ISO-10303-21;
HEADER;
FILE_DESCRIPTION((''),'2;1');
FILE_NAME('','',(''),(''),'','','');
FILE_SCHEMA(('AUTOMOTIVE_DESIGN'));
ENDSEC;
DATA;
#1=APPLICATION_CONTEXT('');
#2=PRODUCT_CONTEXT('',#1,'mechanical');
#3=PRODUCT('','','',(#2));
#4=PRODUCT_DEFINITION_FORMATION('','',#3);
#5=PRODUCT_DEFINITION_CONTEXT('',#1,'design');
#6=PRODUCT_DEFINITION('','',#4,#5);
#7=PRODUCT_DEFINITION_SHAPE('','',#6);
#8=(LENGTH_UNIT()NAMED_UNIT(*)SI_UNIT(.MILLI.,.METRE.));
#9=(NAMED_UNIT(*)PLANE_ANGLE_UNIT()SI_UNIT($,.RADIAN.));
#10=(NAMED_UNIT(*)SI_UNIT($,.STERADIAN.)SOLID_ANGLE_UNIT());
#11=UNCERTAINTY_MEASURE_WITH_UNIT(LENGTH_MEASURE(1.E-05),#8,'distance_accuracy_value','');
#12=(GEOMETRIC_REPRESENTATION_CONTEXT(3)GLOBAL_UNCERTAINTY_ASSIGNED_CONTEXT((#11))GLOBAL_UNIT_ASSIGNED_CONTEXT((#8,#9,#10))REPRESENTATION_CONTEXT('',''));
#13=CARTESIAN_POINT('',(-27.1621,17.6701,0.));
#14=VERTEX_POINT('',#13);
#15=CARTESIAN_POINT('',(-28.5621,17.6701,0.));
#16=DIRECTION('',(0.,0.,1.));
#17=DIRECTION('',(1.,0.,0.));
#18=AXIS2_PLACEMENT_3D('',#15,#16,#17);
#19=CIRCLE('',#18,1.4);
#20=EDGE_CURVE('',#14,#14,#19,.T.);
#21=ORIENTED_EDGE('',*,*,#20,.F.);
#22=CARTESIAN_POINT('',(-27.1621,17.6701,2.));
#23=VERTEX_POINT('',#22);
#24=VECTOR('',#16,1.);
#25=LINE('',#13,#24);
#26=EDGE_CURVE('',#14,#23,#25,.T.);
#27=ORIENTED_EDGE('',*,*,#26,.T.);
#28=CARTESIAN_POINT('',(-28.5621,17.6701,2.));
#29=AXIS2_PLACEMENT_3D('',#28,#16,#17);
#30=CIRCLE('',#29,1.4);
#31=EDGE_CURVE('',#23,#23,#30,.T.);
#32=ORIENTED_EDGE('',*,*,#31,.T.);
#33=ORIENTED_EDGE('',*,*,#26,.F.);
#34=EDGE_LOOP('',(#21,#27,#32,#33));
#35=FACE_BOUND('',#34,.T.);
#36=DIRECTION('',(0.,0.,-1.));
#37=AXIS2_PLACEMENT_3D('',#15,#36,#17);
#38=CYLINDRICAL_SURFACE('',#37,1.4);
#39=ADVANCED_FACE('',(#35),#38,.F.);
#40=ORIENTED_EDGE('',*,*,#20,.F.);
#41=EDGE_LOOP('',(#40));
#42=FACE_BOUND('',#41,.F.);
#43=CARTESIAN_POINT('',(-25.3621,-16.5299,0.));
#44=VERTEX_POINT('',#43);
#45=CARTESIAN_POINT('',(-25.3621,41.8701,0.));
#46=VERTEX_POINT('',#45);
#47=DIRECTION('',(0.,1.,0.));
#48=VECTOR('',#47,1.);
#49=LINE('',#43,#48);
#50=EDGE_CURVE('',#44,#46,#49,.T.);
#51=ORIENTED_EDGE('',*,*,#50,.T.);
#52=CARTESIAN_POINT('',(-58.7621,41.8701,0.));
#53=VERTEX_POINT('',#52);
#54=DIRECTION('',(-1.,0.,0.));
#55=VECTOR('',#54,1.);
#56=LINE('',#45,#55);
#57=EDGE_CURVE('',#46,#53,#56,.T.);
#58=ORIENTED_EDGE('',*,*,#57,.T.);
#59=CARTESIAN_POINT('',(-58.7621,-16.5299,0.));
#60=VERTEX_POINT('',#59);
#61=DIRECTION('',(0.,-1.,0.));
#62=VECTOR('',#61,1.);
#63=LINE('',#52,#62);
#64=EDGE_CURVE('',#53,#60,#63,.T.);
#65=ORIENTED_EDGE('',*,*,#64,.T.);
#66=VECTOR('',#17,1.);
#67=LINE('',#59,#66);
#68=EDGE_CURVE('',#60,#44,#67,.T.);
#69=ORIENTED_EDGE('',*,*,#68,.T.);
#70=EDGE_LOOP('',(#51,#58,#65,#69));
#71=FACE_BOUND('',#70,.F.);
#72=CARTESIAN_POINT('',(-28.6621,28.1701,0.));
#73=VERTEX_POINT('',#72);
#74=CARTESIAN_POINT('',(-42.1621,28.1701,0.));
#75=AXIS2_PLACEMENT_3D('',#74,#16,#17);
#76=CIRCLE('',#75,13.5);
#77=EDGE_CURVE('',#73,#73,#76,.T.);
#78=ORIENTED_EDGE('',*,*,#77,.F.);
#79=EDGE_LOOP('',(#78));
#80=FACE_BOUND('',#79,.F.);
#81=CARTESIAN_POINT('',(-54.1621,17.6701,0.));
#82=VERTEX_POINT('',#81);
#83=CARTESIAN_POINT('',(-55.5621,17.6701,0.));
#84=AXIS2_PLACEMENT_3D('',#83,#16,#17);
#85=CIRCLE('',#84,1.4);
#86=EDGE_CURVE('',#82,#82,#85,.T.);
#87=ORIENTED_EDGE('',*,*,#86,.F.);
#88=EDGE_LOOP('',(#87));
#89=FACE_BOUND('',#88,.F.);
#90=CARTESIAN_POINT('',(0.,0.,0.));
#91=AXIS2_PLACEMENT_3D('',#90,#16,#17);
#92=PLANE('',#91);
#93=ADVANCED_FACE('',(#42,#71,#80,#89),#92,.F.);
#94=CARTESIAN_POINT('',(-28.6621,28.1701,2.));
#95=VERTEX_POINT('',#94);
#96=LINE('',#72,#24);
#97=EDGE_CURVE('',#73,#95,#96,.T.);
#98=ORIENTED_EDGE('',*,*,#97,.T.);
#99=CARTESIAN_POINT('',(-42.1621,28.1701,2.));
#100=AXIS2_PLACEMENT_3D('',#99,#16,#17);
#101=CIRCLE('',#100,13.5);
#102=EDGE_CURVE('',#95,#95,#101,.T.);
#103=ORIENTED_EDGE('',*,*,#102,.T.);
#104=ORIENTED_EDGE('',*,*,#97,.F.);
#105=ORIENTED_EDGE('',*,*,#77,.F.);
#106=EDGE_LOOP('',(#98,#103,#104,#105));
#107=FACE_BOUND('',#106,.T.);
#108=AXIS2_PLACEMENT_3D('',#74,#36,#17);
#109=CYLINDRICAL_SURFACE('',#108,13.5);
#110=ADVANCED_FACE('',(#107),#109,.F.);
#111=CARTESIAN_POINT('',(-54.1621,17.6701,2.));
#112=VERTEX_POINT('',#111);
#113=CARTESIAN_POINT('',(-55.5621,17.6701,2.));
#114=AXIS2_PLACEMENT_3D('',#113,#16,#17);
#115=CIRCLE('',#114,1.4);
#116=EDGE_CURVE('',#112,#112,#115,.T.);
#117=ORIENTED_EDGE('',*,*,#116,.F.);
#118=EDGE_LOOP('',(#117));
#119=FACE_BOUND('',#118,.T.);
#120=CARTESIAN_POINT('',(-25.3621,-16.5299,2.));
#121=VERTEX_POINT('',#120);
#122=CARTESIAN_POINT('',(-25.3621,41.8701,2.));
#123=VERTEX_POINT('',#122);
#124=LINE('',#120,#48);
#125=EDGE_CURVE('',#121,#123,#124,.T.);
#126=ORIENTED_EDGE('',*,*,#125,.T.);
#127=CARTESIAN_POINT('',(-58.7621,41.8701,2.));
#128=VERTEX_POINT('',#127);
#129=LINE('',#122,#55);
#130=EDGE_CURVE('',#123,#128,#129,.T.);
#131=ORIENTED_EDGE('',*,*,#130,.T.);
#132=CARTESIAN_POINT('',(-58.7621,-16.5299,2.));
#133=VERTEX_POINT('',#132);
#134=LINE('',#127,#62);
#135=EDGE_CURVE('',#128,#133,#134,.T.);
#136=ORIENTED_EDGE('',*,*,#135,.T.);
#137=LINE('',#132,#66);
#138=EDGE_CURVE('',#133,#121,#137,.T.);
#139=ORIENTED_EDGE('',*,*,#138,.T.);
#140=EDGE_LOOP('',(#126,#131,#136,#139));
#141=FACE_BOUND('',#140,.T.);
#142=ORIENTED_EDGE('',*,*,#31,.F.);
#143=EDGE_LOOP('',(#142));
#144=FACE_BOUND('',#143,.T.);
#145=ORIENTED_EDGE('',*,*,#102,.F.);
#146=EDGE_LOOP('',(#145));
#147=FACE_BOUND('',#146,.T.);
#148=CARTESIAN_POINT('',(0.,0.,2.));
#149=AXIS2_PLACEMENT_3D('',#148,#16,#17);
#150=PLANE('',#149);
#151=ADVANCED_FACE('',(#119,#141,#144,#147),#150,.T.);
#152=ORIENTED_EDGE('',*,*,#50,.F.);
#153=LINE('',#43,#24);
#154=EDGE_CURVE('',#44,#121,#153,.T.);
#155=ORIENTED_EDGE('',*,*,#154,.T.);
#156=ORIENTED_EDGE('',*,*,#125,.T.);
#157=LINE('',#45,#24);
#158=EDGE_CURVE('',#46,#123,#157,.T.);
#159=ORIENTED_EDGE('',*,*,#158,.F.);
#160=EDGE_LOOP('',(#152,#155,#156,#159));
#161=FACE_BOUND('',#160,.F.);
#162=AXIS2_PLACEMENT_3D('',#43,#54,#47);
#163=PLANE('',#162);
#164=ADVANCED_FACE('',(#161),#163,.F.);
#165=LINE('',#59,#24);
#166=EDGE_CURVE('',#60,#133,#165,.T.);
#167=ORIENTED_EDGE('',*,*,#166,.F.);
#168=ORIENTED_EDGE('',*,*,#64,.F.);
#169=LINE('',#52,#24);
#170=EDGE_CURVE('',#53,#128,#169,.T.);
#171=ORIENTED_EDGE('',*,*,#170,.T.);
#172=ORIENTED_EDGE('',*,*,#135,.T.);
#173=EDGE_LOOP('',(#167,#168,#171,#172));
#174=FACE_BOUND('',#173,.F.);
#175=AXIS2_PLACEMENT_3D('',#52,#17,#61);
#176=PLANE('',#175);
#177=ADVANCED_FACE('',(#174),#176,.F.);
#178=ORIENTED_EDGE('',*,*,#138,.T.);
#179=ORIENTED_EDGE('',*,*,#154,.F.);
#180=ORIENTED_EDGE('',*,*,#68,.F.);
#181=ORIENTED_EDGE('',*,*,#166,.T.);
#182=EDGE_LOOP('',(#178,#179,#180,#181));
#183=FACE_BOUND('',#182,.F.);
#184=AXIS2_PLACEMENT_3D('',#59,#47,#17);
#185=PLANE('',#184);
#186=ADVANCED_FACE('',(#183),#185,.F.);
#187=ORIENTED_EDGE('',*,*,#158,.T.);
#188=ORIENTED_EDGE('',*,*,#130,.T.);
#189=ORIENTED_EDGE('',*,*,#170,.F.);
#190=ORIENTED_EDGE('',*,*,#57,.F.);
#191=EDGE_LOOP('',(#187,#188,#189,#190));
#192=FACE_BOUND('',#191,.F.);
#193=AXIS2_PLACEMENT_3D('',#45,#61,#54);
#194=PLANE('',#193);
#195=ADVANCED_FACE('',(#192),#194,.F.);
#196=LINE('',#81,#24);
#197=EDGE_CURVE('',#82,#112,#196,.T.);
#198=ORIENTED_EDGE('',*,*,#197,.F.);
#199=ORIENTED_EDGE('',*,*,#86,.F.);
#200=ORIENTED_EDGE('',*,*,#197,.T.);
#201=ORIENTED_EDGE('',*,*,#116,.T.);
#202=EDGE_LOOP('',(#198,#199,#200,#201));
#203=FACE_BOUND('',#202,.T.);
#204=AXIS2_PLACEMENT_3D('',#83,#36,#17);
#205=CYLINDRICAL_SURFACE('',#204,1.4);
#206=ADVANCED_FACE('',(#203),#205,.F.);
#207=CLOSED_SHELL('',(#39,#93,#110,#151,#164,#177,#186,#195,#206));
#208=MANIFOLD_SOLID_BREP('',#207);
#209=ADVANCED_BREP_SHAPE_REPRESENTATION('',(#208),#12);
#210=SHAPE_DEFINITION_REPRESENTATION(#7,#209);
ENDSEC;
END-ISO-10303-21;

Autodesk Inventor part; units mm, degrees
ref_plane "YZ Plane" through (0, 0, 0) normal (1, 0, 0) x (0, 1, 0)
ref_plane "XZ Plane" through (0, 0, 0) normal (0, 1, 0) x (-1, 0, 0)
ref_plane "XY Plane" through (0, 0, 0) normal (0, 0, 1) x (1, 0, 0)
sketch "Sketch1" plane through (0, 0, 0) normal (0, 0, 1) x (1, 0, 0)
  line L0 (-58.7621, -16.5299) -> (-25.3621, -16.5299)
  line L1 (-25.3621, -16.5299) -> (-25.3621, 41.8701)
  line L2 (-25.3621, 41.8701) -> (-58.7621, 41.8701)
  line L3 (-58.7621, 41.8701) -> (-58.7621, -16.5299)
  circle A0 centre (-42.1621, 28.1701) radius 13.5
  circle A1 centre (-55.5621, 17.6701) radius 1.4
  circle A2 centre (-28.5621, 17.6701) radius 1.4
  point P0 (0, 0)
  dimension "d1" = 33.4
  dimension "d17" = 27
  dimension "d18" = 13.7
  dimension "d21" = 3.2
  dimension "d22" = 2.8
  dimension "d27" = 58.4
  dimension "d28" = 10.5
  dimension "d29" = 10.5
  dimension "d30" = 2.8
  dimension "d31" = 27
extrude "Extrusion1" add sketch "Sketch1" along normal blind 2
properties part number "Motor_Cover"
